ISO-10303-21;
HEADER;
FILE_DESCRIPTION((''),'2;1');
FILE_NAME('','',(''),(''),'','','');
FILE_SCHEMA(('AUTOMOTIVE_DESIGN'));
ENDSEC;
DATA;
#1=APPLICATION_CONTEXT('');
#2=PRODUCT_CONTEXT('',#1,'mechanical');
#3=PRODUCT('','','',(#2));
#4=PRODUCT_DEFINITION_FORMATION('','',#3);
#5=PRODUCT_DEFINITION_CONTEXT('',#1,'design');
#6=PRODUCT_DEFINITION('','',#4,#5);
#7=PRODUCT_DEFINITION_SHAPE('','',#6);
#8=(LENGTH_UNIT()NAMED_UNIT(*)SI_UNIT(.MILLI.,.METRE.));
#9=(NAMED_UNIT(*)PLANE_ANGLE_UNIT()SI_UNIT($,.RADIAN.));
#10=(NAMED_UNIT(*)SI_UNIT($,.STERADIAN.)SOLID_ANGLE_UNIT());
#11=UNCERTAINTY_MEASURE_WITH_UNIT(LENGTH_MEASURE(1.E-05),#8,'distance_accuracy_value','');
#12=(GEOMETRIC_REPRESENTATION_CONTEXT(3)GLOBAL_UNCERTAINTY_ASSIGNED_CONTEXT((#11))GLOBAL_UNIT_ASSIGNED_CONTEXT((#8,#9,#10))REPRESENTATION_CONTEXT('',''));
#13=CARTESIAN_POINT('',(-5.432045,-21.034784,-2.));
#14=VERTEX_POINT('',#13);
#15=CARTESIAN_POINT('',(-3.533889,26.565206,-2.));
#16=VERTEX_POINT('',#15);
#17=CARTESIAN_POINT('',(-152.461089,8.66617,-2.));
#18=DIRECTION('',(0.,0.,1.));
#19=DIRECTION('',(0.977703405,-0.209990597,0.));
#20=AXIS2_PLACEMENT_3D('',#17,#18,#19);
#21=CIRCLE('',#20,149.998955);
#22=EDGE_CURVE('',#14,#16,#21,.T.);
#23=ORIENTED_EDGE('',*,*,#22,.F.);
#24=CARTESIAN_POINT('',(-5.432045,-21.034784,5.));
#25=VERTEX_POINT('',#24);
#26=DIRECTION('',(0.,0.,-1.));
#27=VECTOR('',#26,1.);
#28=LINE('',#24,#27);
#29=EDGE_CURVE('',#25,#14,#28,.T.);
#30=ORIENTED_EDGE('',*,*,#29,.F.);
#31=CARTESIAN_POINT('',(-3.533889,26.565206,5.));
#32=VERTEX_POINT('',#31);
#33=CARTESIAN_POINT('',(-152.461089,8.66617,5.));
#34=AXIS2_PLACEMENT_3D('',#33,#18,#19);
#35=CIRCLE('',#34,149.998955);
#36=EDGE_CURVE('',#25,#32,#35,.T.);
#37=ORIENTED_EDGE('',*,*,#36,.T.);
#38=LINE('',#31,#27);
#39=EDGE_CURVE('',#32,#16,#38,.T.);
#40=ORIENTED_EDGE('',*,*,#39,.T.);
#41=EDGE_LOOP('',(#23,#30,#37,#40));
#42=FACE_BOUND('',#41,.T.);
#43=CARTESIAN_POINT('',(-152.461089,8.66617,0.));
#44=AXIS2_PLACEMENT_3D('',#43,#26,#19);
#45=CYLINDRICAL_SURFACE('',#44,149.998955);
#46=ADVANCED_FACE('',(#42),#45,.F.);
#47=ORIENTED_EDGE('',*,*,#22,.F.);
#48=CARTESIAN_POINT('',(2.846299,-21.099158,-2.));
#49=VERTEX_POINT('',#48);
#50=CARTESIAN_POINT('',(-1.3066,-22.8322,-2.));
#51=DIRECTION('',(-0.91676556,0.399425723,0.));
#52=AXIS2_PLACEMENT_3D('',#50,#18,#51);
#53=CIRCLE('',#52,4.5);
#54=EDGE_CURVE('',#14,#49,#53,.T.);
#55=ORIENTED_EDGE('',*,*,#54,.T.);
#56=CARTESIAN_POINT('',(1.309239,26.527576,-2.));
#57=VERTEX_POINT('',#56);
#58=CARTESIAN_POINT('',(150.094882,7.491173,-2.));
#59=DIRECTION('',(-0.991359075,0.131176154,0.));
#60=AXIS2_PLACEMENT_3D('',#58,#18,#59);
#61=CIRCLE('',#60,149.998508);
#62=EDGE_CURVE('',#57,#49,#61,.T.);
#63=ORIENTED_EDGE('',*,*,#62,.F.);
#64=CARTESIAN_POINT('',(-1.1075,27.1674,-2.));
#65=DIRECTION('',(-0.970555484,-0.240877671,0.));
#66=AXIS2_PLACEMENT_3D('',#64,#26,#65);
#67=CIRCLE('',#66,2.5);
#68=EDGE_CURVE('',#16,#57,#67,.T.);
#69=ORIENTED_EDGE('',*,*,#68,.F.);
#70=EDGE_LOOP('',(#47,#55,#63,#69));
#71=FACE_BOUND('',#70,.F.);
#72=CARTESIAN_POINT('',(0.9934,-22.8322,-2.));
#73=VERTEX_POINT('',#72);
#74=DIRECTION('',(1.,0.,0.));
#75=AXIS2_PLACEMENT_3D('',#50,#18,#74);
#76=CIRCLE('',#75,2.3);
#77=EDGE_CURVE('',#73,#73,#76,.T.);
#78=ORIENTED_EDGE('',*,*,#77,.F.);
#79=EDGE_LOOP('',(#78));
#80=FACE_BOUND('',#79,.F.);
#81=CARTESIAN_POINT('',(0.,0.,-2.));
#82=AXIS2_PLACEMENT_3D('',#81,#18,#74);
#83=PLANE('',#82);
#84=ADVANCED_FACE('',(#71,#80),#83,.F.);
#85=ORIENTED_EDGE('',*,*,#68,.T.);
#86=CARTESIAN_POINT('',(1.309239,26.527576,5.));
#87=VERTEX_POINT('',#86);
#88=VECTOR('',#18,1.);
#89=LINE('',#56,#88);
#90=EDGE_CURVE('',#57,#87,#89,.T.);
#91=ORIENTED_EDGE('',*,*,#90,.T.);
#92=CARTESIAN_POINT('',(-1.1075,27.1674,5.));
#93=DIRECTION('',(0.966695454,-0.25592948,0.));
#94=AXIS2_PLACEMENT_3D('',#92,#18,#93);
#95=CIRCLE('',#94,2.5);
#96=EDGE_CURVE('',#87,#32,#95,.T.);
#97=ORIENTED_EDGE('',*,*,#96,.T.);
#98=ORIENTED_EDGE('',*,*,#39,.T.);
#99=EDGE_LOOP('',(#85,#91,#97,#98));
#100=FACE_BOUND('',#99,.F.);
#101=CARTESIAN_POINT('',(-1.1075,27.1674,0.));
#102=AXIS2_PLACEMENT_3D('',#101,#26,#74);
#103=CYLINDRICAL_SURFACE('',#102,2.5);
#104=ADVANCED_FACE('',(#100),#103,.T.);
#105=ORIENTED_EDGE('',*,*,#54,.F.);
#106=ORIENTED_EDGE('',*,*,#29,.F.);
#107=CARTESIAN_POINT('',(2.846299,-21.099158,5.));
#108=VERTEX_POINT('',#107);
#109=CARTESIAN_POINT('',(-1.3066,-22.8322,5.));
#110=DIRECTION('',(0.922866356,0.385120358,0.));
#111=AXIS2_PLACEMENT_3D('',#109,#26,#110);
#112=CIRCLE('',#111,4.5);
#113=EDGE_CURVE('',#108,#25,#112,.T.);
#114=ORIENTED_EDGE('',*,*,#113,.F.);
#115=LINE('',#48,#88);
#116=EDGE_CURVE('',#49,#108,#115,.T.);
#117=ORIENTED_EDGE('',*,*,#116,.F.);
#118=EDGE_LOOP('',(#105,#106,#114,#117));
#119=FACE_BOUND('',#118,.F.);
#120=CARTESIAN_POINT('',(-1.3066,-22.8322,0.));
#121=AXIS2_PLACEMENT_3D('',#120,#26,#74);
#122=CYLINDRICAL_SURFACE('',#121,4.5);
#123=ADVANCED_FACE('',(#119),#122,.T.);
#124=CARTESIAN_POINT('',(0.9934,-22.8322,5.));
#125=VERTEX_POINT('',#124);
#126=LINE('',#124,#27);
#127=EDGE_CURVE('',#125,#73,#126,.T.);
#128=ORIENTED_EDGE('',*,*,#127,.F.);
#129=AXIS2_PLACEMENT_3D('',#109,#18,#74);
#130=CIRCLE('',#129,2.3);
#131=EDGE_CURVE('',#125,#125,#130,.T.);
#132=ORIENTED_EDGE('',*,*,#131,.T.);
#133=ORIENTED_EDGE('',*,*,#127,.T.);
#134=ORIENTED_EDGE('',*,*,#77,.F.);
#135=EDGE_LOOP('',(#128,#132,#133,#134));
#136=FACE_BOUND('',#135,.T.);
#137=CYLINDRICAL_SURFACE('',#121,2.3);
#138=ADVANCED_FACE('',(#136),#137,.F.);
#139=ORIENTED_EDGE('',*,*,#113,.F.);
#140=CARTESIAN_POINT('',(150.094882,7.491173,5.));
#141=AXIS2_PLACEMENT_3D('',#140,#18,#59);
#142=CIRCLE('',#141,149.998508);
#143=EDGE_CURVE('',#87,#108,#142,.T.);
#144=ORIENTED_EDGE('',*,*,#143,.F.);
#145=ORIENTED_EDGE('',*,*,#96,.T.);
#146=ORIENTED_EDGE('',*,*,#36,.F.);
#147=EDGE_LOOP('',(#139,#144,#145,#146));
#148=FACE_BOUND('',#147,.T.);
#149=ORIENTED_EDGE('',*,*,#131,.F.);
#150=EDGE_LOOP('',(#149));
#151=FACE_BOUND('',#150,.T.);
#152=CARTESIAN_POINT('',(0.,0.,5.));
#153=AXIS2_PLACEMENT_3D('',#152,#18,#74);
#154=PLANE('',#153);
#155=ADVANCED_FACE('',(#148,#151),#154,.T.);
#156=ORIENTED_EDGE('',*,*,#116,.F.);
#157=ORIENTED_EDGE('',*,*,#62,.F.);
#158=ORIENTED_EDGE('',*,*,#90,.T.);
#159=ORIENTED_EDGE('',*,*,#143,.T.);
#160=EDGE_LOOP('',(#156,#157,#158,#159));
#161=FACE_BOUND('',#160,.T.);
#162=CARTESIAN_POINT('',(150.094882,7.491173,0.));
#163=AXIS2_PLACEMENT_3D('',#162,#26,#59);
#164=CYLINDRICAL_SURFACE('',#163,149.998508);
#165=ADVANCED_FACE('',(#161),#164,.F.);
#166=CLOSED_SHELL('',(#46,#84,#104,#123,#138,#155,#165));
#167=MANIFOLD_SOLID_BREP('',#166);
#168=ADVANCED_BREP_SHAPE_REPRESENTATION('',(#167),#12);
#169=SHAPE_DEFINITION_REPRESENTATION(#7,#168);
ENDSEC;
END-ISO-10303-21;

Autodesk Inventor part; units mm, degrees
ref_plane "YZ Plane" through (0, 0, 0) normal (1, 0, 0) x (0, 1, 0)
ref_plane "XZ Plane" through (0, 0, 0) normal (0, 1, 0) x (-1, 0, 0)
ref_plane "XY Plane" through (0, 0, 0) normal (0, 0, 1) x (1, 0, 0)
sketch "Sketch1" plane through (0, 0, 0) normal (0, 0, 1) x (1, 0, 0)
  circle A0 centre (-1.3066, -22.8322) radius 2.3
  circle A1 centre (-1.3066, -22.8322) radius 4.5
  circle A2 centre (-1.1075, 27.1674) radius 2.5
  arc A3 (-5.8066, -22.8322) -> (-3.6075, 27.1674) centre (-152.4621, 8.6663) ccw
  arc A4 (1.3925, 27.1674) -> (3.1934, -22.8322) centre (150.0964, 7.4911) ccw
  point P0 (0, 0)
  point P1 (2.8463, -21.0992)
  point P2 (1.3093, 26.5276)
  point P3 (-3.5339, 26.5652)
  point P4 (-5.432, -21.0348)
  dimension "d0" = 4.6
  dimension "d1" = 9
  dimension "d2" = 5
  dimension "d3" = 50
  dimension "d17" = 150
  dimension "d18" = 150
extrude "Extrusion1" add sketch "Sketch1" along normal blind 5 and the other way blind 2
properties part number "gate2"
